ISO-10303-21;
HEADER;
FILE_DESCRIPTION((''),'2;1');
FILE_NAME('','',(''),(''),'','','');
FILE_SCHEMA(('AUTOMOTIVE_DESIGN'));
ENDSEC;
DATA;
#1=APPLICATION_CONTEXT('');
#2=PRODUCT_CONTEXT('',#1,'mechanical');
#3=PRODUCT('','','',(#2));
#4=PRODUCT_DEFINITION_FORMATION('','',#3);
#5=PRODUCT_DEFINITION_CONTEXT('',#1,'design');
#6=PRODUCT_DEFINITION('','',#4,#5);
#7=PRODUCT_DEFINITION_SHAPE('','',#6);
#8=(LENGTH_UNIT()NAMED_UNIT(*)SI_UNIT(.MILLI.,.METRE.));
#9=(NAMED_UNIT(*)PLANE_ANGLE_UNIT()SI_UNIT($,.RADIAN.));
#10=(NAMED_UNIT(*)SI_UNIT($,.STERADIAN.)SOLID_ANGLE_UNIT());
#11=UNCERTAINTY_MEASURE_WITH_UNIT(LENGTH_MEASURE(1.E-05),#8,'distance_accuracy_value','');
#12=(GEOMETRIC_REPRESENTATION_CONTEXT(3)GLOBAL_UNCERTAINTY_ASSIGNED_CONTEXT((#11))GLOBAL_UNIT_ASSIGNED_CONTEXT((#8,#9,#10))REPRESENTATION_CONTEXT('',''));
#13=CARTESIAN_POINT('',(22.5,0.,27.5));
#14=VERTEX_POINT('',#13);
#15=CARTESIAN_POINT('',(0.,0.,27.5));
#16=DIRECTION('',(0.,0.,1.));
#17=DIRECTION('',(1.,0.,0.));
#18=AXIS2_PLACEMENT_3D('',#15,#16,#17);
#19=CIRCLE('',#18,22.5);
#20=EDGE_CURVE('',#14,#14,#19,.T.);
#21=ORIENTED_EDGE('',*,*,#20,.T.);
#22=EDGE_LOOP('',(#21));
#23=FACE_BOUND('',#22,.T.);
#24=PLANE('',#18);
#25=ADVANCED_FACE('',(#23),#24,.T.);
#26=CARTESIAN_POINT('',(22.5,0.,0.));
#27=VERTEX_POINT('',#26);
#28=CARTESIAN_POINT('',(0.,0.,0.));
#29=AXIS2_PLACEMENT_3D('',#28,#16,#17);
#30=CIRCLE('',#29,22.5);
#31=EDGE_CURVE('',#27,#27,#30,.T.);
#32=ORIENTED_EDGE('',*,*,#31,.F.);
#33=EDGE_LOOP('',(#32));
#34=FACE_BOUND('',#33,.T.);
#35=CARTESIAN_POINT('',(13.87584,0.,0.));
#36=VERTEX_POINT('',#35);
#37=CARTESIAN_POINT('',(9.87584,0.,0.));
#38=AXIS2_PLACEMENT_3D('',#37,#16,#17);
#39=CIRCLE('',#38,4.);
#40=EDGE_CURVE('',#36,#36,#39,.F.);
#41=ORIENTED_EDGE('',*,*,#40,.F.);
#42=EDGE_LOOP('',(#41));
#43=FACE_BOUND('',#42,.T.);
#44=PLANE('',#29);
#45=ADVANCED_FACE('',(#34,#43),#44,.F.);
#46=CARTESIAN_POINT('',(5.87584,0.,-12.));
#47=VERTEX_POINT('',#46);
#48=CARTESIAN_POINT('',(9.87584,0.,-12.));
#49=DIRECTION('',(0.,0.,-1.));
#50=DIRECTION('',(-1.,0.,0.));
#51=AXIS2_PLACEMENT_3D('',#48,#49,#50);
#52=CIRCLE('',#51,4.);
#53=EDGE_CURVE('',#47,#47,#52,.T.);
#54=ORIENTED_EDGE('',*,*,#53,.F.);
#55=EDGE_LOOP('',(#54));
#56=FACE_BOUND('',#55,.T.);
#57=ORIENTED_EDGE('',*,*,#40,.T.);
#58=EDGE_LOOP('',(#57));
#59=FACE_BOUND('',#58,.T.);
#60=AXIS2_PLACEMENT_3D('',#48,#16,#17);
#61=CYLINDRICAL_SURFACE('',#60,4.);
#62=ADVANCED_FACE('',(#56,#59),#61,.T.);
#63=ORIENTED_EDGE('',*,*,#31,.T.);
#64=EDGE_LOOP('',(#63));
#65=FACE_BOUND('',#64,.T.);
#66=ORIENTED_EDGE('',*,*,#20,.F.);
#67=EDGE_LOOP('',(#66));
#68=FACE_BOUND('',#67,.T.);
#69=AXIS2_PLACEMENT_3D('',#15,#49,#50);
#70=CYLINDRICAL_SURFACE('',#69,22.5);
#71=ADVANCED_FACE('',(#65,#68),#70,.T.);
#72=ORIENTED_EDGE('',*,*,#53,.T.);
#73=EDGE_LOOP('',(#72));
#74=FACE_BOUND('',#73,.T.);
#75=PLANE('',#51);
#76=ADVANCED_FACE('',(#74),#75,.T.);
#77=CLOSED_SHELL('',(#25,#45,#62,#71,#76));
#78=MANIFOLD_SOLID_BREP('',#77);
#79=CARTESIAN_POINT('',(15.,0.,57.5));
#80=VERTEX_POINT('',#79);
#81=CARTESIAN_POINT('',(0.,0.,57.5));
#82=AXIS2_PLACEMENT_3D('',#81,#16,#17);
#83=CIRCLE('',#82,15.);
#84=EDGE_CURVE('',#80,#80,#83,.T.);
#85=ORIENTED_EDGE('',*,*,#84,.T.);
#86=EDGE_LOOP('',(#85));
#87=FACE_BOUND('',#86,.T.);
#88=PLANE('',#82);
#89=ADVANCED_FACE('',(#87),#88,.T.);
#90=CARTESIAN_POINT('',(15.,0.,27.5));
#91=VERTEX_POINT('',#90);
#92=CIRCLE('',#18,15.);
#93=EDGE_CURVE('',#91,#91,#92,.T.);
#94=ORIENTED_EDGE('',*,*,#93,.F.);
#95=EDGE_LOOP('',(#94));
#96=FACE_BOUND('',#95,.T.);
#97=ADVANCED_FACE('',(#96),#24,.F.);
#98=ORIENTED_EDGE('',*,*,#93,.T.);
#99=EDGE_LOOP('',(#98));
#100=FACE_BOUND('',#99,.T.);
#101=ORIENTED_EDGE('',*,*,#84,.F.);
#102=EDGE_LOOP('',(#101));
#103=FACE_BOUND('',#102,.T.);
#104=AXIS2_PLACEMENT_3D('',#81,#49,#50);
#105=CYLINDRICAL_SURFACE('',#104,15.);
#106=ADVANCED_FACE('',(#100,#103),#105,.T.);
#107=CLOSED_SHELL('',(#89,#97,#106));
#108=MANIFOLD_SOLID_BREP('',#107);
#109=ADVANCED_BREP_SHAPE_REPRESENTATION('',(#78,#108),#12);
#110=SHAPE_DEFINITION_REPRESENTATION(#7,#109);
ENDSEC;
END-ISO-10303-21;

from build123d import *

# Parameters (mm, degrees)
SKETCH1_R           = 22.5
BOSS_EXTRUDE1_DEPTH = 27.5
SKETCH2_R           = 15
BOSS_EXTRUDE2_DEPTH = 30
SKETCH3_R           = 4
BOSS_EXTRUDE3_DEPTH = 12


with BuildPart() as part:
    # Sketch1 → Boss-Extrude1 (new body)
    with BuildSketch(Plane.XY):
        Circle(SKETCH1_R)
    extrude(amount=BOSS_EXTRUDE1_DEPTH)

    # Sketch3 → Boss-Extrude3 (add)
    with BuildSketch(Plane(origin=(0, 0, 0), x_dir=(-1, 0, 0), z_dir=(0, 0, -1))):
        with Locations(Location((-9.875839743, 0, 0), (0, 0, 180))):
            Circle(SKETCH3_R)
    extrude(amount=BOSS_EXTRUDE3_DEPTH)


with BuildPart() as body_2:
    # Sketch2 → Boss-Extrude2 (new body)
    with BuildSketch(Plane.XY.offset(27.5)):
        Circle(SKETCH2_R)
    extrude(amount=BOSS_EXTRUDE2_DEPTH)


solid = Compound([part.part, body_2.part])
